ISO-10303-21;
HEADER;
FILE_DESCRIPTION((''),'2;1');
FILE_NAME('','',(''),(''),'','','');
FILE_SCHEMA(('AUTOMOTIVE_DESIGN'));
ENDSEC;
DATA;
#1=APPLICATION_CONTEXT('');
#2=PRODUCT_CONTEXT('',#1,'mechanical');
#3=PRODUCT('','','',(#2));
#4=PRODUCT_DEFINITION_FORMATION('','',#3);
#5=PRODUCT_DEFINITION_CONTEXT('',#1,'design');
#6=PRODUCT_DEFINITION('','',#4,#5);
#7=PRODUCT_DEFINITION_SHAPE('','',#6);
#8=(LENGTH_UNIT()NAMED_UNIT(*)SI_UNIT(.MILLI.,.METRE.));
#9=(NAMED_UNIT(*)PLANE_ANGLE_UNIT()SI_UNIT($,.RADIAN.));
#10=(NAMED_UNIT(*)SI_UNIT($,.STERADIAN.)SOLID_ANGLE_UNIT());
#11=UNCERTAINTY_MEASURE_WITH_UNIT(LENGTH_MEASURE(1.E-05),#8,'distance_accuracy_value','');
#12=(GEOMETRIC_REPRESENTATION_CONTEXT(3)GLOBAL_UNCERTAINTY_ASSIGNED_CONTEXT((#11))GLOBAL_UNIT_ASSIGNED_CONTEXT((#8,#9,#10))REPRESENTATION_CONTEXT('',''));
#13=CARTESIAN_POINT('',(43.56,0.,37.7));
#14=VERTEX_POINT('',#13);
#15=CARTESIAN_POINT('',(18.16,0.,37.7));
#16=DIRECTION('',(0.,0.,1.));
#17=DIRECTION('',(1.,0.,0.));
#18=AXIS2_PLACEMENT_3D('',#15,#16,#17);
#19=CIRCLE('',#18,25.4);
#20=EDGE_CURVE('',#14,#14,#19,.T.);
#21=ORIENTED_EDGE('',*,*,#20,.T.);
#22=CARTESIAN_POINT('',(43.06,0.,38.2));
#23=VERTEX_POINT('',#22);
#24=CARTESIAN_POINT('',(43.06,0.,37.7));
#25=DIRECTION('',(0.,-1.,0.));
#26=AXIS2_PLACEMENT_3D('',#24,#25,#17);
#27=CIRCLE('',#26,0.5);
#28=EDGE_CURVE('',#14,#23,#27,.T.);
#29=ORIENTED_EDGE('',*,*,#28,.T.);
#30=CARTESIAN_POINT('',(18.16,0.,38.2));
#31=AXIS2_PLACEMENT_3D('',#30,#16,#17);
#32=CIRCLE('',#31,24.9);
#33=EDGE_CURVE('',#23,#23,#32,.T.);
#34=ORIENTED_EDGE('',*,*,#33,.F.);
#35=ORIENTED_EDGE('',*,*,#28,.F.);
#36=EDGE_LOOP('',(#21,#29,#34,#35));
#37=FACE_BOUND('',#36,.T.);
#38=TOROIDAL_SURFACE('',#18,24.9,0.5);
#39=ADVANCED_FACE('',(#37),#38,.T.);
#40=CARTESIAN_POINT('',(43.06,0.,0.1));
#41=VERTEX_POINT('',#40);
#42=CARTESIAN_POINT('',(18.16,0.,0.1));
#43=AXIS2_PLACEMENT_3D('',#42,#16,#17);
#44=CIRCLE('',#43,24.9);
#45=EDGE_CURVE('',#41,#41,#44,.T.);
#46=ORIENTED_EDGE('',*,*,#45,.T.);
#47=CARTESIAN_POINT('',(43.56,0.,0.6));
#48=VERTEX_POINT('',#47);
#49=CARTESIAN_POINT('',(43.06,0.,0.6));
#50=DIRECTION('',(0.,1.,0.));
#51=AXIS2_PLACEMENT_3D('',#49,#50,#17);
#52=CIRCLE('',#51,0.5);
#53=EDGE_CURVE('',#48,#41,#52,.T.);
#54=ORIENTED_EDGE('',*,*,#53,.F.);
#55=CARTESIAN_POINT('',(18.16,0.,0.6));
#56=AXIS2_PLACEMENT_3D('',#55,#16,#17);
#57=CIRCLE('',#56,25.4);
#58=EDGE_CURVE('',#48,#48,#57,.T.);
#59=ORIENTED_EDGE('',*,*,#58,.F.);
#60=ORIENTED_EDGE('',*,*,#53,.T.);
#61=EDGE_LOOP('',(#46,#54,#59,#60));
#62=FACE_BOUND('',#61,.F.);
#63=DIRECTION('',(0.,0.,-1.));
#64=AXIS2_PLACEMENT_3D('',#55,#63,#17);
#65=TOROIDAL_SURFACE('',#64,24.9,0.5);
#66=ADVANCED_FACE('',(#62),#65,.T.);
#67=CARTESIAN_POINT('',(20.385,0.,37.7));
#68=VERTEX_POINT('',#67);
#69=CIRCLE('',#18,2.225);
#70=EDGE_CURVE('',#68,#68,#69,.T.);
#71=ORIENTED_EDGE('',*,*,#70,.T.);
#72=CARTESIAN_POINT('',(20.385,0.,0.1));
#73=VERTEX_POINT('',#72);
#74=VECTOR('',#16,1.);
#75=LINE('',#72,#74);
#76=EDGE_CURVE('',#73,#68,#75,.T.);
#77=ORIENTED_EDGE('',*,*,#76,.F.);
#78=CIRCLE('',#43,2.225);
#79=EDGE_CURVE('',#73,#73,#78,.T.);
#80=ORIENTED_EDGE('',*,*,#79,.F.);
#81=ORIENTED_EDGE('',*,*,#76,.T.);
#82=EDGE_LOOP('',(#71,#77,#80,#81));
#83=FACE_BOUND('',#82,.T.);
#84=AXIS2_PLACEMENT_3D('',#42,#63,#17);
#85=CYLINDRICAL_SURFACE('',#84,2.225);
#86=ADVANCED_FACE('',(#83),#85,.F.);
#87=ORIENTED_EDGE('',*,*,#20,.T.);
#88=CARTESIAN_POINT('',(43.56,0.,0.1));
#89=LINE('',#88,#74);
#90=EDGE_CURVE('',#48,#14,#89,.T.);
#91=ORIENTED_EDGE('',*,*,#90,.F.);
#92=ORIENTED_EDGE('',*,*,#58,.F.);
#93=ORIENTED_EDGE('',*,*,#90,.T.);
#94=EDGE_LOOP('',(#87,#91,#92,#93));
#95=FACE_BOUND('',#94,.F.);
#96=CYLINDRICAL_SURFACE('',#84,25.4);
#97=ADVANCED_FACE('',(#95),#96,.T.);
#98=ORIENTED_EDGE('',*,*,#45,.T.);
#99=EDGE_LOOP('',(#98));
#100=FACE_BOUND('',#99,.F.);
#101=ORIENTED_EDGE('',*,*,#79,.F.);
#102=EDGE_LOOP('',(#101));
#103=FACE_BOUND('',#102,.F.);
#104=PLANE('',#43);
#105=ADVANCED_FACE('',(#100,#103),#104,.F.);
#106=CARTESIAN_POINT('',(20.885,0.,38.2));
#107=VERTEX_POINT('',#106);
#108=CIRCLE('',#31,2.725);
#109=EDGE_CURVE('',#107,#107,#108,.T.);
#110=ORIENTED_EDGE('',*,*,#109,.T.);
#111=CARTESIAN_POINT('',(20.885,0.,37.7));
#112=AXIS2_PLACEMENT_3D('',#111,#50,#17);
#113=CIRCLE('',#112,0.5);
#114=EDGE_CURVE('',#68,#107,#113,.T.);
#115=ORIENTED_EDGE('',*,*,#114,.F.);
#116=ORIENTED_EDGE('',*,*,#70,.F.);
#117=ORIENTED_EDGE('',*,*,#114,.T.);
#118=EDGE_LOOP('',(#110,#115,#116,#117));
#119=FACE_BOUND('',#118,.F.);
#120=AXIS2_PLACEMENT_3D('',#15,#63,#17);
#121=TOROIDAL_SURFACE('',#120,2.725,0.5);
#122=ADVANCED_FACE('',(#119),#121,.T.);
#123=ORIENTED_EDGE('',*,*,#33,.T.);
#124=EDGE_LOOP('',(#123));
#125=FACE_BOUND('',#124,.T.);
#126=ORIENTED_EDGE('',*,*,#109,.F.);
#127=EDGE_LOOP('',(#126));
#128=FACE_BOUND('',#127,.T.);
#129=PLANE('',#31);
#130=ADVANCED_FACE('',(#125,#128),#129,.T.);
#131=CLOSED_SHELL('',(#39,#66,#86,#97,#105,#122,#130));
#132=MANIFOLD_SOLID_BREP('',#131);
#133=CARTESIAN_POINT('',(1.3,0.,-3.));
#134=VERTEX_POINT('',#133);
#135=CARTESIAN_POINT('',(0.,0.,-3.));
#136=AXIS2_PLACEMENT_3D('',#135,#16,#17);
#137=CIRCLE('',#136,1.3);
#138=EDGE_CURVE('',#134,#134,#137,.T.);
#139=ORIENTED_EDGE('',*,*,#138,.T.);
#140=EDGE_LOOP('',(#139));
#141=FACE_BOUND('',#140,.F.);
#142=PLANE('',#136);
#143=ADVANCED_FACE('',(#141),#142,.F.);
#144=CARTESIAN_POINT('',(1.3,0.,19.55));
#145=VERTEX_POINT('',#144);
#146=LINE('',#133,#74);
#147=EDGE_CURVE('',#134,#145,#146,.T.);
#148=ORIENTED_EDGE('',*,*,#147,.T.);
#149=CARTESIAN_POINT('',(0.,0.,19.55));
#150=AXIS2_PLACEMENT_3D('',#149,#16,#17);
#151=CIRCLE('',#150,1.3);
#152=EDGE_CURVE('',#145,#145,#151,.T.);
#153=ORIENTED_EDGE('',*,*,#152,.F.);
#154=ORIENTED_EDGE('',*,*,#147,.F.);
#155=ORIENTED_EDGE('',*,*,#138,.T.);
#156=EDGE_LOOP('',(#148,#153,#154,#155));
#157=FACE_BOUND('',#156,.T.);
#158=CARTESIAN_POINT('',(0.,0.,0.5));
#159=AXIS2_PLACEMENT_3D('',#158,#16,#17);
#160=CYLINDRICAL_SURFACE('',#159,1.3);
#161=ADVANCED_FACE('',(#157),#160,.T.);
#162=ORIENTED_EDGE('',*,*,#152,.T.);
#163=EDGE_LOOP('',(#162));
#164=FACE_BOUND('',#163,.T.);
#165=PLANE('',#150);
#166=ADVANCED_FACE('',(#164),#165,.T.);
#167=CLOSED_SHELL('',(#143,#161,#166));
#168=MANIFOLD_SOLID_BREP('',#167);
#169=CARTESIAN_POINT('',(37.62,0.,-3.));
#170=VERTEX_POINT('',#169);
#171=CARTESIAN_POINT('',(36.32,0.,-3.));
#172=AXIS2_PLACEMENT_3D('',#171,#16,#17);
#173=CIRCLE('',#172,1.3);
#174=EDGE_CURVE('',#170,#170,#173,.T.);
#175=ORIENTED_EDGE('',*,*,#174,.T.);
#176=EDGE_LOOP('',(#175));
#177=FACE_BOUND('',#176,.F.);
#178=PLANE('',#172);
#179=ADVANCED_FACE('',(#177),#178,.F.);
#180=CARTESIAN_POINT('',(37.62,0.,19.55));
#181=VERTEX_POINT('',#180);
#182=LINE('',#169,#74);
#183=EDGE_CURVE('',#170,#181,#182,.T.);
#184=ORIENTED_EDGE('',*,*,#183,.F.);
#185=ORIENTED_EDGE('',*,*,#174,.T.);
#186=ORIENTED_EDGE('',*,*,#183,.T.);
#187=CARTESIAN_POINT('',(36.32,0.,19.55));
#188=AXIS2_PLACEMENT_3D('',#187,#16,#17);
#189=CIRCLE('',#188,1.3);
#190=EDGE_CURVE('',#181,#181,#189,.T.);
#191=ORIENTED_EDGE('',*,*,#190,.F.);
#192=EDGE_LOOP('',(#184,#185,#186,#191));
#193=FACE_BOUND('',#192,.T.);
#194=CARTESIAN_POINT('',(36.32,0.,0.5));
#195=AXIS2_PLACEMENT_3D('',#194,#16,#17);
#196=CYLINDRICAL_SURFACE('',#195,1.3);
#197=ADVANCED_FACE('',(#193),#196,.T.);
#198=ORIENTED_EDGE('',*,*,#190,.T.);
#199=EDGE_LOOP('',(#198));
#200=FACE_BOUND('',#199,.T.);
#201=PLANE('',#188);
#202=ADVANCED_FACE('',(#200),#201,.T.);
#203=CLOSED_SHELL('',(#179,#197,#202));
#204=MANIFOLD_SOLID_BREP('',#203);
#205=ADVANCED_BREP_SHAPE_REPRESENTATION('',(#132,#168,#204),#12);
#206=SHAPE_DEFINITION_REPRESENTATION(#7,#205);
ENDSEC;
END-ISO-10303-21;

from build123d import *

# Parameters (mm, degrees)
SKETCH001_R       = 1.3
PAD001_DEPTH      = 19.05
PAD001_DEPTH_BACK = 3.5
SKETCH_R          = 25.4
SKETCH_R_2        = 2.225
PAD_DEPTH         = 38.1
FILLET_R          = 0.5


with BuildPart() as pad001:
    # Sketch001 → Pad001 (new body, two sides)
    with BuildSketch(Plane.XY.offset(0.5)) as pad001_sk:
        Circle(SKETCH001_R)
        with Locations((36.32, 0)):
            Circle(SKETCH001_R)
    extrude(amount=PAD001_DEPTH)
    extrude(pad001_sk.sketch, amount=-PAD001_DEPTH_BACK)


with BuildPart() as fillet_body:
    # Sketch → Pad (new body)
    with BuildSketch(Plane.XY.offset(0.1)):
        with Locations((18.16, 0)):
            Circle(SKETCH_R)
        with Locations((18.16, 0)):
            Circle(SKETCH_R_2, mode=Mode.SUBTRACT)
    extrude(amount=PAD_DEPTH)

    # Fillet
    fillet_edges = [fillet_body.edges().sort_by_distance(p)[0] for p in [
        (15.935, 0, 38.2),
        (-7.24, 0, 38.2),
        (-7.24, 0, 0.1),
    ]]
    fillet(fillet_edges, radius=FILLET_R)


solid = Compound([pad001.part, fillet_body.part])
